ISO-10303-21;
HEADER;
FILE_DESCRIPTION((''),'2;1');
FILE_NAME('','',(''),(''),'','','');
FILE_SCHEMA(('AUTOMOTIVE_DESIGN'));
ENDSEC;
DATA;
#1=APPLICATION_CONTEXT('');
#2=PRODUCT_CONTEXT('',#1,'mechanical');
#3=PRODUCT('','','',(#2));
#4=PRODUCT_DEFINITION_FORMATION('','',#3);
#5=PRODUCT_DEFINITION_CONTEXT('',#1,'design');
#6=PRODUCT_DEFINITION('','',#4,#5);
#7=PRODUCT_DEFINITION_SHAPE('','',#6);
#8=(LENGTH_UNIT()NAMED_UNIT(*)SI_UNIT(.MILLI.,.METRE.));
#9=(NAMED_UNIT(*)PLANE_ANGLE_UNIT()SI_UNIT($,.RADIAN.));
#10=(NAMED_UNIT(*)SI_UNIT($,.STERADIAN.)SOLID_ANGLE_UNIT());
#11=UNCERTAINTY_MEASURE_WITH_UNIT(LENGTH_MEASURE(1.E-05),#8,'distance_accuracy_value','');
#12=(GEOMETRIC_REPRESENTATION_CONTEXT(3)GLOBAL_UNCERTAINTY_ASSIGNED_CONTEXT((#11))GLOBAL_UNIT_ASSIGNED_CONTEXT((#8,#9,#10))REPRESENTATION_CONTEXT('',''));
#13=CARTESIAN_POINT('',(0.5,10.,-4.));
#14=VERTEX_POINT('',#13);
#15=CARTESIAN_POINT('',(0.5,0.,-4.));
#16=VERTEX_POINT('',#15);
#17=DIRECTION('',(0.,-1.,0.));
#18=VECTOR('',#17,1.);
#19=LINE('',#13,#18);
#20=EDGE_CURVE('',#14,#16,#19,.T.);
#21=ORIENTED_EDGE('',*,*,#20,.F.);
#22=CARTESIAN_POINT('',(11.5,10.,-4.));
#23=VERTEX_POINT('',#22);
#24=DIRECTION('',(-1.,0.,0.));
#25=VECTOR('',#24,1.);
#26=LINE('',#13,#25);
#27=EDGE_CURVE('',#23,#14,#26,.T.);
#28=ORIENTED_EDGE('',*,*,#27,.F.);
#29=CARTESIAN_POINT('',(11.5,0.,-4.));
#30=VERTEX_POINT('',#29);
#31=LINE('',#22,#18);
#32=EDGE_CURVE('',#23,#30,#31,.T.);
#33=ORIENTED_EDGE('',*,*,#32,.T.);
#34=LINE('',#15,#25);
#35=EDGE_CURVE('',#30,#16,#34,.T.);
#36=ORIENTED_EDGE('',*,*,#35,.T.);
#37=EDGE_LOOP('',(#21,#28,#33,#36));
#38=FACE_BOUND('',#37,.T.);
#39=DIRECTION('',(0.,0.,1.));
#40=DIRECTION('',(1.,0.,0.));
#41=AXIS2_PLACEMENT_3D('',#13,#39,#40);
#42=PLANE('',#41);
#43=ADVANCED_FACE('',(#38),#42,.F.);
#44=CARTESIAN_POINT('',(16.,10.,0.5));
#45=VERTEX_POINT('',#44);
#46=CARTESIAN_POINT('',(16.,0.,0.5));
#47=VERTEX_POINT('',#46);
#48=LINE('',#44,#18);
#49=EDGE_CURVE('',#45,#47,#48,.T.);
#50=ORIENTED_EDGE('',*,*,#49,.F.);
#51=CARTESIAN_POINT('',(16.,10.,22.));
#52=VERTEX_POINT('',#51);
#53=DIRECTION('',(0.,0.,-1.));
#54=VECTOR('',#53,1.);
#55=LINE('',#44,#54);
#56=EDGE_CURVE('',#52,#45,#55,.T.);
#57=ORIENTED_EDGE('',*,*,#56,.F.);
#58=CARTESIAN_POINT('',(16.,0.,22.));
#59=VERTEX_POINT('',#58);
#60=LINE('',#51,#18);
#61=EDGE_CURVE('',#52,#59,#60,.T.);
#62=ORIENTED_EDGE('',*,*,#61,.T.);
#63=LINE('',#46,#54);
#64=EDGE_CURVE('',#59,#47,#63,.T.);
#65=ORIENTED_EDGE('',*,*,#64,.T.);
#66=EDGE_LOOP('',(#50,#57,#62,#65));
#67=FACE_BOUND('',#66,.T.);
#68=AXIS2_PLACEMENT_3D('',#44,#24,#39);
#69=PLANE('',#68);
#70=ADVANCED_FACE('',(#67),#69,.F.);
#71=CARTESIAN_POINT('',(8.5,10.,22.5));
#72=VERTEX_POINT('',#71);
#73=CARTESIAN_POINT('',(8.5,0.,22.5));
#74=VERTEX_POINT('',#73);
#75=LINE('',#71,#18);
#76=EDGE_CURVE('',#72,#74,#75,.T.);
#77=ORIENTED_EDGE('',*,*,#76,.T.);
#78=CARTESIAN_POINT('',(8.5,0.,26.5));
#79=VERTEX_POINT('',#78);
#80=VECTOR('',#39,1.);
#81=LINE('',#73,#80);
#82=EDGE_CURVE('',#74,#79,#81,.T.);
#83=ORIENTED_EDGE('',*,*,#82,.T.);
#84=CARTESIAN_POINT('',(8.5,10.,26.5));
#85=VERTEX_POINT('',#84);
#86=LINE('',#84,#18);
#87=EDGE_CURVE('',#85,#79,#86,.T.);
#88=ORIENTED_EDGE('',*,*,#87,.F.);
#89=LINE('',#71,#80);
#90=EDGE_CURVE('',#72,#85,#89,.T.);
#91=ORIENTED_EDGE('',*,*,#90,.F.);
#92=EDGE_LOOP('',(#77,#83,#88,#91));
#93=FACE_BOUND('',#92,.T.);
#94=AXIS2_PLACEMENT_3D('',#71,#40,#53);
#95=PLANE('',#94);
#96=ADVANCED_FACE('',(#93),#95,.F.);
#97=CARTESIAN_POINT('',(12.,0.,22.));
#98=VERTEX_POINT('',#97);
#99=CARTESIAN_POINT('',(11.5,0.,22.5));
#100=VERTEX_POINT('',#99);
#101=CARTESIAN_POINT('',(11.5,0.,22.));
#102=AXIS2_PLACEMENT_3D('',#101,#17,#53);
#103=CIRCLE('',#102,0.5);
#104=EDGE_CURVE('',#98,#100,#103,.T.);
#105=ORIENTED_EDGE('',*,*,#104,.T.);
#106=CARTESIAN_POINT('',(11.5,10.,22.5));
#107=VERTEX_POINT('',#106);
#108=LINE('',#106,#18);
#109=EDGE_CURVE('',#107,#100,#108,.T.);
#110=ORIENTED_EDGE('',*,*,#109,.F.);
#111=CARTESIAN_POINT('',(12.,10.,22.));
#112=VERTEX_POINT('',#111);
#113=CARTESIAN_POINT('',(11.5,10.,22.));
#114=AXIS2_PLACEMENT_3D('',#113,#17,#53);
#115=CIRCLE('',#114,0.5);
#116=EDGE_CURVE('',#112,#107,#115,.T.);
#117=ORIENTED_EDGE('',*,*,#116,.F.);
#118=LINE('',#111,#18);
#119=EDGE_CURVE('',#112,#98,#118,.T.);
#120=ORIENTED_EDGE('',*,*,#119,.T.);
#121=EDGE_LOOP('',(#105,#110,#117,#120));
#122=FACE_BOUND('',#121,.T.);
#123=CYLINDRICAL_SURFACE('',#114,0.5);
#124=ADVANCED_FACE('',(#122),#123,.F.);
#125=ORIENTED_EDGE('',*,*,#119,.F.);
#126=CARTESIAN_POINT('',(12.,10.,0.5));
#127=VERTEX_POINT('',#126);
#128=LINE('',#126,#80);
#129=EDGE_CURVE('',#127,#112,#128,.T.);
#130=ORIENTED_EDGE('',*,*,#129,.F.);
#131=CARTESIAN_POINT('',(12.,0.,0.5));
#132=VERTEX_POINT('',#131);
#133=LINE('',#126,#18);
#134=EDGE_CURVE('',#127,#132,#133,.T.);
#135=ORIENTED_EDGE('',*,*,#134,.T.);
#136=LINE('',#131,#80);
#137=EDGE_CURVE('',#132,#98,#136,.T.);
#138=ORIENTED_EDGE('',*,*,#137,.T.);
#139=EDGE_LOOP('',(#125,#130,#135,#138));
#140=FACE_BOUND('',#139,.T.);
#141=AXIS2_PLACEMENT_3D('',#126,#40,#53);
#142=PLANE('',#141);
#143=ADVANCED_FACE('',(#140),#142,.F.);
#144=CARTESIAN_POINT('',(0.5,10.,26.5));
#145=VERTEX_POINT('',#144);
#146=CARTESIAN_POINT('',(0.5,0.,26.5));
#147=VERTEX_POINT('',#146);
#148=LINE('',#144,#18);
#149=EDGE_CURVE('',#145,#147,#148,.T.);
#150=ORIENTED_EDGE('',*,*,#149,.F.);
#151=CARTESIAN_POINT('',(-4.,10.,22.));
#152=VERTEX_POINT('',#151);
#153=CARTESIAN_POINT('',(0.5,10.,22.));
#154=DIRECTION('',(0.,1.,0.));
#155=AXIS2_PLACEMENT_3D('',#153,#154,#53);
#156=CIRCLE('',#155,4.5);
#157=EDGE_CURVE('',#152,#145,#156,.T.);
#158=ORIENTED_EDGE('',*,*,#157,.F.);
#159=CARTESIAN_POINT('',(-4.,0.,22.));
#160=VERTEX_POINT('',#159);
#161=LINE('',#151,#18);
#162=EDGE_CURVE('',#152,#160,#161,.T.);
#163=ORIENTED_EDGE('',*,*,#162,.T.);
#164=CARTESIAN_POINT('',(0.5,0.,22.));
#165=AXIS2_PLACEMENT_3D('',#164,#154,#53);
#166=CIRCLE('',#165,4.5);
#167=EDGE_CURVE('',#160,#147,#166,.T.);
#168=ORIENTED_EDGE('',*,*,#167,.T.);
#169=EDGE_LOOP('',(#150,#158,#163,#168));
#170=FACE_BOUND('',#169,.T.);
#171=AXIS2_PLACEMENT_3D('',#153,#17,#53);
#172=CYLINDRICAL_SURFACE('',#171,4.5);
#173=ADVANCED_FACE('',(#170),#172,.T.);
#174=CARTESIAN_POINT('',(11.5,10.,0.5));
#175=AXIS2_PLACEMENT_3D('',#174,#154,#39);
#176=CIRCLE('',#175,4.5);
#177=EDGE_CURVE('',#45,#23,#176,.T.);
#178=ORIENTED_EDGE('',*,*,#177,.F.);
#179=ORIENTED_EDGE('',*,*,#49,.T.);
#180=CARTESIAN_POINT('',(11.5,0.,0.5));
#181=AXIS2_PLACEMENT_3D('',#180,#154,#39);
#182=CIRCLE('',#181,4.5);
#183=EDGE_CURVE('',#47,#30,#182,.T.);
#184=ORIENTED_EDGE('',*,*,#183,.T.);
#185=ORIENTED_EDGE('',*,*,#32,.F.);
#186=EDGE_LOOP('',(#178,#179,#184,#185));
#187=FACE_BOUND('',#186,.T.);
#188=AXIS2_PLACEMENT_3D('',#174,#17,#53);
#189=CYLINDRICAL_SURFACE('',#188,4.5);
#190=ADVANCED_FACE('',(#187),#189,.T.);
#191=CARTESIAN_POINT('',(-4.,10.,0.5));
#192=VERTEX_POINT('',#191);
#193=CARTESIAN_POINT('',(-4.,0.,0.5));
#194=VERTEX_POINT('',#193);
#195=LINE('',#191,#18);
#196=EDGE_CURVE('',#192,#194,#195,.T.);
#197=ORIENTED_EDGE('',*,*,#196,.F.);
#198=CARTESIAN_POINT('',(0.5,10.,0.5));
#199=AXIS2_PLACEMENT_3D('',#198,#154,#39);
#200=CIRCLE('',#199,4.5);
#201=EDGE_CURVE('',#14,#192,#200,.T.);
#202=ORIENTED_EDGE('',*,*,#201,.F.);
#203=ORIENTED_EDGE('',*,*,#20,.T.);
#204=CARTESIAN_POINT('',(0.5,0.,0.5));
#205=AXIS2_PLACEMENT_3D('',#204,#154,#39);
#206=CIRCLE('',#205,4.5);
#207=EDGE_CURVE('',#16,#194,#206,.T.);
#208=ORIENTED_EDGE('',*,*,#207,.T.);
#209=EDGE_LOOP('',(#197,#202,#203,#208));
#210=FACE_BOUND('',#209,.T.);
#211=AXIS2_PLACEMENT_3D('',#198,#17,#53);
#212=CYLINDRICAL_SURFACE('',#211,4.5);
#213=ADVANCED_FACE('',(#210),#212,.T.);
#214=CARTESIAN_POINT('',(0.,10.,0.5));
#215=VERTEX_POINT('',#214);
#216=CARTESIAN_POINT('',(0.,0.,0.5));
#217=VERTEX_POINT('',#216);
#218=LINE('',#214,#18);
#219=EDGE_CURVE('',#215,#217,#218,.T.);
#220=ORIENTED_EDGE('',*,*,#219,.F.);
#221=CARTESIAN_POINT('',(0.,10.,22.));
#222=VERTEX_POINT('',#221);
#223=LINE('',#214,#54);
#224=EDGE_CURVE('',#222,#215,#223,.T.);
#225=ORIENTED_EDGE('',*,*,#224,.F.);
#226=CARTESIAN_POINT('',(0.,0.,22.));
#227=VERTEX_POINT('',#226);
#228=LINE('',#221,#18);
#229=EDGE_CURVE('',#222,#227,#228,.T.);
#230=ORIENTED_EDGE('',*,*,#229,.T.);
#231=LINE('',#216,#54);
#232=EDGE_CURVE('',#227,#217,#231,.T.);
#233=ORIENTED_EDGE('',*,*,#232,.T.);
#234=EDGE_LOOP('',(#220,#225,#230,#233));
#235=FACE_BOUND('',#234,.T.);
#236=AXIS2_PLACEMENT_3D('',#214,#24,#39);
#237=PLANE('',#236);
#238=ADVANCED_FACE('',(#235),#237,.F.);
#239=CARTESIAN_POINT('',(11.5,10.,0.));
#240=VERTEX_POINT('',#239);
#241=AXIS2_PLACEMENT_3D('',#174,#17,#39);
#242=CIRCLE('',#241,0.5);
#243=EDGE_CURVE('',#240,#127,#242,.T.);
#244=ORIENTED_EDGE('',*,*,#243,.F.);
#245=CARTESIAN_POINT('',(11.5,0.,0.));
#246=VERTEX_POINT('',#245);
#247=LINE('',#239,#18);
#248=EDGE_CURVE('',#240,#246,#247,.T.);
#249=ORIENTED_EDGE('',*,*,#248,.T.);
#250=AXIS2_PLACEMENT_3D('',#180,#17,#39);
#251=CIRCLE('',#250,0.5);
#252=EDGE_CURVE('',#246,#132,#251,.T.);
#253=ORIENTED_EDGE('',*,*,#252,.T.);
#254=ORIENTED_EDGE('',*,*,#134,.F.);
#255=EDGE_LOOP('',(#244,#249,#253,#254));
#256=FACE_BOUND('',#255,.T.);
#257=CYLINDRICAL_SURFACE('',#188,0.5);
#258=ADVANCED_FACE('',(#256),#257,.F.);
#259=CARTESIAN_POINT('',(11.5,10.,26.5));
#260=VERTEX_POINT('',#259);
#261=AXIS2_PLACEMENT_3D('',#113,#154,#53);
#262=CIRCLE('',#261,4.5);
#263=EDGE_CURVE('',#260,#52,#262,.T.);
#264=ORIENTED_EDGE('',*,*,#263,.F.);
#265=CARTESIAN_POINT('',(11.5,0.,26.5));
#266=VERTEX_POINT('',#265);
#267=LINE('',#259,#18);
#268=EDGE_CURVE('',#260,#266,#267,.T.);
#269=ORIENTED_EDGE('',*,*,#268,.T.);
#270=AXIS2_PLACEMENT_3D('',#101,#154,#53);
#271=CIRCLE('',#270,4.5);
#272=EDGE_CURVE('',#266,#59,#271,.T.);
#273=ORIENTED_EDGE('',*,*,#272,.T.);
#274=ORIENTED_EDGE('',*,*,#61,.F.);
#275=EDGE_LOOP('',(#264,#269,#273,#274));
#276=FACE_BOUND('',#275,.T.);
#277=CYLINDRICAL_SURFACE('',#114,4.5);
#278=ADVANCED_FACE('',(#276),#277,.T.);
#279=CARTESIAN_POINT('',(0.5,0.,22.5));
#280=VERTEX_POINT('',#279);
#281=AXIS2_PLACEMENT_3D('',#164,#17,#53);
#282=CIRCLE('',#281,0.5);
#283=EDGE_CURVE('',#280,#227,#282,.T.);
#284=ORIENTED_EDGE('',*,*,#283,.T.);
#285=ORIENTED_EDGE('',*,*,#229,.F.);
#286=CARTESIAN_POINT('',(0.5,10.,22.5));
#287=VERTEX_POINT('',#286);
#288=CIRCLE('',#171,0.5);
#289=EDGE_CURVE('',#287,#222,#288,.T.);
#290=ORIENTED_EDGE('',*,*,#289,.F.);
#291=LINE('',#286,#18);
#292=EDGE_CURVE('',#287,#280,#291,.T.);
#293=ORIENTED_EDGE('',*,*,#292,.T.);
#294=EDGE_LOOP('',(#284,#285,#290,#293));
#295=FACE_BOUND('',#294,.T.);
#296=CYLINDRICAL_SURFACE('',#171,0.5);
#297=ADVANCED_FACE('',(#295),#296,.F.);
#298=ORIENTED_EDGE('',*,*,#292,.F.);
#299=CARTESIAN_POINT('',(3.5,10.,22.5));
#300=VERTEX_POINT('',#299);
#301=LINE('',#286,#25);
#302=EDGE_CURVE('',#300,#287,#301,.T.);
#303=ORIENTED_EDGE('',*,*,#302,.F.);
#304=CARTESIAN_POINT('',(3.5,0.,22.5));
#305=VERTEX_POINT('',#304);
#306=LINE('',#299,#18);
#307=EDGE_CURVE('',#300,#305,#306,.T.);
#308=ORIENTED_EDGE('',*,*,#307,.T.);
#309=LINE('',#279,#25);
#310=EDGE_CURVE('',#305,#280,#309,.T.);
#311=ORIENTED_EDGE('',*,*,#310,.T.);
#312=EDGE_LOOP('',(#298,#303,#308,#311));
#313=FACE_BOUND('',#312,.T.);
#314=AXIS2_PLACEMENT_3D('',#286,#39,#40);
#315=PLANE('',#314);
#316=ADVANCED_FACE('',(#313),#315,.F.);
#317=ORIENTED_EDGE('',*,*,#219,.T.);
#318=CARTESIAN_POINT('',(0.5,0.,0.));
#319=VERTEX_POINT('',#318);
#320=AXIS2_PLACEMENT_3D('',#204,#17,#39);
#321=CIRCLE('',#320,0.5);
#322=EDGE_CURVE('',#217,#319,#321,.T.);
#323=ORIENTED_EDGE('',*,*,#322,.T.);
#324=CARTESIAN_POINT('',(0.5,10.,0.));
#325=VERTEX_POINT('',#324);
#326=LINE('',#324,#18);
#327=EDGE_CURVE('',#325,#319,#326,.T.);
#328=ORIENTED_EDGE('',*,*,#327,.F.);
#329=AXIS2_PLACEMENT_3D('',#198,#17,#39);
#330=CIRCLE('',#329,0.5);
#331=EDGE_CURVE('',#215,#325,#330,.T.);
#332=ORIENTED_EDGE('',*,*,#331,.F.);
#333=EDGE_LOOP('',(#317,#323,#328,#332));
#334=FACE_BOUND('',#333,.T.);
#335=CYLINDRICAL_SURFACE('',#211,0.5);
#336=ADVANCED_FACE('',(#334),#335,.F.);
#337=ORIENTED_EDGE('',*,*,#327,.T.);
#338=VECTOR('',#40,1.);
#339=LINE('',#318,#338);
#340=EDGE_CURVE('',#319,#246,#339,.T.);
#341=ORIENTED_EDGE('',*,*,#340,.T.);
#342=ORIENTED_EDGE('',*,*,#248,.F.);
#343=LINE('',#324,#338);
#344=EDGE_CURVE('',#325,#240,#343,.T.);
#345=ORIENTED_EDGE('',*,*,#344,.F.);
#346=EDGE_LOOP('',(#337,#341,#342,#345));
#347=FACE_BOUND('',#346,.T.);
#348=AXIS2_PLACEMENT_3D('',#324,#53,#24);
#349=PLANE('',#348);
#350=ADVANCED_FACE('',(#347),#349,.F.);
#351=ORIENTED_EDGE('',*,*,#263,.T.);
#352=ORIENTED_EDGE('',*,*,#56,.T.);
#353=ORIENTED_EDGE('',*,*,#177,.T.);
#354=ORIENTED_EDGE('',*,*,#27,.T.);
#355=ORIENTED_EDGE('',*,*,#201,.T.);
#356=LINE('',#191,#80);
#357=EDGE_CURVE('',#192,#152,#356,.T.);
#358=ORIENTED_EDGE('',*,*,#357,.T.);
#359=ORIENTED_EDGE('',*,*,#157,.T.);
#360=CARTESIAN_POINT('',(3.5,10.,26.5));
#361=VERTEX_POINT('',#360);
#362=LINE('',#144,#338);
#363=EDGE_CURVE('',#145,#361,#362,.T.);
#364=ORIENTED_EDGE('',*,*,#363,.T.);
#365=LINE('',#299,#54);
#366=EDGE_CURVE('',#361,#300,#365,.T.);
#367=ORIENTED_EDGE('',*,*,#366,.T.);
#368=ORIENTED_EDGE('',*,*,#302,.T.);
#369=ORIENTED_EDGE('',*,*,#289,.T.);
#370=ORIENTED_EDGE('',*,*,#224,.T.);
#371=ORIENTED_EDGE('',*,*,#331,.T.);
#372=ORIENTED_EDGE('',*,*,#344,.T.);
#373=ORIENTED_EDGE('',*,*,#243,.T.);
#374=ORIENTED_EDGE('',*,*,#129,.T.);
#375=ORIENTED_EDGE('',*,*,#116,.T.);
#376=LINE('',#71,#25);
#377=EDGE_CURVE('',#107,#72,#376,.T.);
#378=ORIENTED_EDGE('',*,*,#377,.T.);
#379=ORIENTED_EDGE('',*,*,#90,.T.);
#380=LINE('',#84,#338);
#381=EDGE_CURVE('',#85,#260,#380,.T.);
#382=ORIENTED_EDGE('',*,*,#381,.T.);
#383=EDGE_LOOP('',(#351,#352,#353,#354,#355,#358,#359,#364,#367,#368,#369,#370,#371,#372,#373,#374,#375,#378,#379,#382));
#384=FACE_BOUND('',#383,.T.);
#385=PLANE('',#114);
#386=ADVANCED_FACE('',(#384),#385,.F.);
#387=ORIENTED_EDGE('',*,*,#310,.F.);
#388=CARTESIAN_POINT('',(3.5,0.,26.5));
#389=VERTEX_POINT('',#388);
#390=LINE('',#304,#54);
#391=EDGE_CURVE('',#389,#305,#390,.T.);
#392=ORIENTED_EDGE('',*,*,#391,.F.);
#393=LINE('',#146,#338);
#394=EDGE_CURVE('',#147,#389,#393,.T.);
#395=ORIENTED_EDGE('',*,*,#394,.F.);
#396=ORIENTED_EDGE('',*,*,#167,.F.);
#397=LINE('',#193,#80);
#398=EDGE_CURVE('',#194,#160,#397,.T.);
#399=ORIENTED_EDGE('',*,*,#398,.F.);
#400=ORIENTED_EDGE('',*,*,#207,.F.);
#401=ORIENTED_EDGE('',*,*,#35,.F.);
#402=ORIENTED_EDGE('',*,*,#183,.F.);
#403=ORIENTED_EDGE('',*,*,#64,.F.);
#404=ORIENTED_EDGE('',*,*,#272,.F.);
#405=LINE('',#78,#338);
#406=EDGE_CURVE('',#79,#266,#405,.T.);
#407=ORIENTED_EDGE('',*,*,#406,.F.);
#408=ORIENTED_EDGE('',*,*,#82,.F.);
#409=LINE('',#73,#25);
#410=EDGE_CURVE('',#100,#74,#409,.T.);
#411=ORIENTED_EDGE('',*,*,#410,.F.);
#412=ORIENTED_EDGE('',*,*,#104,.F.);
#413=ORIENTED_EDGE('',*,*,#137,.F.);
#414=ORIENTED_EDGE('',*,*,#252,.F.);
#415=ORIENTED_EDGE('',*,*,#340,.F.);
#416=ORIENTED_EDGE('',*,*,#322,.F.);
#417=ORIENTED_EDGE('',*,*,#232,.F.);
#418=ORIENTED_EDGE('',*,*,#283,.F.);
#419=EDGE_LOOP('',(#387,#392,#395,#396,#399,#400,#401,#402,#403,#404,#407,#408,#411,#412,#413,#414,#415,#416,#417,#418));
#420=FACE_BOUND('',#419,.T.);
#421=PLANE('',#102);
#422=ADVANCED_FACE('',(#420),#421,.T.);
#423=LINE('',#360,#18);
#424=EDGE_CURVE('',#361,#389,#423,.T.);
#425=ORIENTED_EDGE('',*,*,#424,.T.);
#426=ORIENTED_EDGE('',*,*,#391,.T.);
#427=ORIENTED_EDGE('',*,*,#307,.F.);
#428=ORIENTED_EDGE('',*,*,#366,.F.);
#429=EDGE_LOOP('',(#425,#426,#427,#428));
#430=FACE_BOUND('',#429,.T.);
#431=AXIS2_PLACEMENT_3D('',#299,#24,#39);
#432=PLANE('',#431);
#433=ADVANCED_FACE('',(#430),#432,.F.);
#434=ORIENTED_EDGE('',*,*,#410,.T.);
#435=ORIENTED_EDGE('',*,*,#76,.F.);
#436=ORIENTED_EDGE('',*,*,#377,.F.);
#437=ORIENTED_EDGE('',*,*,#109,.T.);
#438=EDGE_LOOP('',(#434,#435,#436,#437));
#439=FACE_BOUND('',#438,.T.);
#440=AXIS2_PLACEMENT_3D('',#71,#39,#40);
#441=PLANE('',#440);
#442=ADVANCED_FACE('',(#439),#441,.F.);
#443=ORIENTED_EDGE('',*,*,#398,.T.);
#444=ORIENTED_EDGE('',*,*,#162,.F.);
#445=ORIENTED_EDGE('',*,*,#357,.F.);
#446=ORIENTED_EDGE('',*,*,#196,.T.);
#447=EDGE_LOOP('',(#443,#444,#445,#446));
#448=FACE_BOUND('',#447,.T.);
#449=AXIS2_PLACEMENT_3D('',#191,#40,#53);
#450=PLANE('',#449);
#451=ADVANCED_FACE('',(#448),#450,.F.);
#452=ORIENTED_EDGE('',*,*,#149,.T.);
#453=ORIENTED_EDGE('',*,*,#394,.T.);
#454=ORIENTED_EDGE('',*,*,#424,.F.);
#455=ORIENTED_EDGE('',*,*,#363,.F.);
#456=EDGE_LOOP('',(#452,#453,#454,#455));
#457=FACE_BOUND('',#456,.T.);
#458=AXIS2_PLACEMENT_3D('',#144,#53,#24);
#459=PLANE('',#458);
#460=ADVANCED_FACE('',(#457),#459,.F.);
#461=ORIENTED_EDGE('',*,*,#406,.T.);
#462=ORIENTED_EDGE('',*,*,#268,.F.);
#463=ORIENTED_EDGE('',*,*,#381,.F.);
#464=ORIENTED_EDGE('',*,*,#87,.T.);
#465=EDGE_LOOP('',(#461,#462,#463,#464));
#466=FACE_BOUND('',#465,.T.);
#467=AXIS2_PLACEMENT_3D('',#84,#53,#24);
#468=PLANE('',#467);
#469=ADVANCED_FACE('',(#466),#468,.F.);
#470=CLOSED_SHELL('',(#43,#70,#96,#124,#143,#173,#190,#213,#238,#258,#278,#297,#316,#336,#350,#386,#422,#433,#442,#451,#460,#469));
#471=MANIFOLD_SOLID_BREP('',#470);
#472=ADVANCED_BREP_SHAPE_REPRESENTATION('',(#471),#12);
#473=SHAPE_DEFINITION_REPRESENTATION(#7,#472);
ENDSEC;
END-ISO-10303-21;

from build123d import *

# Parameters (mm, degrees)
BOSS_EXTRUDE1_DEPTH = 10


with BuildPart() as part:
    # Sketch1 → Boss-Extrude1 (new body)
    with BuildSketch(Plane(origin=(0, 0, 0), x_dir=(1, 0, 0), z_dir=(0, 1, 0))):
        with BuildLine():
            Line((-4, -0.5), (-4, -22))
            ThreePointArc((-4, -22), (-2.681980515, -25.181980515), (0.5, -26.5))
            Line((0.5, -26.5), (3.5, -26.5))
            Line((3.5, -26.5), (3.5, -22.5))
            Line((3.5, -22.5), (0.5, -22.5))
            ThreePointArc((0.5, -22.5), (0.146446609, -22.353553391), (0, -22))
            Line((0, -22), (0, -0.5))
            ThreePointArc((0, -0.5), (0.146446609, -0.146446609), (0.5, 0))
            Line((0.5, 0), (11.5, 0))
            ThreePointArc((11.5, 0), (11.853553391, -0.146446609), (12, -0.5))
            Line((12, -0.5), (12, -22))
            ThreePointArc((12, -22), (11.853553391, -22.353553391), (11.5, -22.5))
            Line((11.5, -22.5), (8.5, -22.5))
            Line((8.5, -22.5), (8.5, -26.5))
            Line((8.5, -26.5), (11.5, -26.5))
            ThreePointArc((11.5, -26.5), (14.681980515, -25.181980515), (16, -22))
            Line((16, -22), (16, -0.5))
            ThreePointArc((16, -0.5), (14.681980515, 2.681980515), (11.5, 4))
            Line((11.5, 4), (0.5, 4))
            ThreePointArc((0.5, 4), (-2.681980515, 2.681980515), (-4, -0.5))
        make_face()
    extrude(amount=BOSS_EXTRUDE1_DEPTH)


solid = part.part
